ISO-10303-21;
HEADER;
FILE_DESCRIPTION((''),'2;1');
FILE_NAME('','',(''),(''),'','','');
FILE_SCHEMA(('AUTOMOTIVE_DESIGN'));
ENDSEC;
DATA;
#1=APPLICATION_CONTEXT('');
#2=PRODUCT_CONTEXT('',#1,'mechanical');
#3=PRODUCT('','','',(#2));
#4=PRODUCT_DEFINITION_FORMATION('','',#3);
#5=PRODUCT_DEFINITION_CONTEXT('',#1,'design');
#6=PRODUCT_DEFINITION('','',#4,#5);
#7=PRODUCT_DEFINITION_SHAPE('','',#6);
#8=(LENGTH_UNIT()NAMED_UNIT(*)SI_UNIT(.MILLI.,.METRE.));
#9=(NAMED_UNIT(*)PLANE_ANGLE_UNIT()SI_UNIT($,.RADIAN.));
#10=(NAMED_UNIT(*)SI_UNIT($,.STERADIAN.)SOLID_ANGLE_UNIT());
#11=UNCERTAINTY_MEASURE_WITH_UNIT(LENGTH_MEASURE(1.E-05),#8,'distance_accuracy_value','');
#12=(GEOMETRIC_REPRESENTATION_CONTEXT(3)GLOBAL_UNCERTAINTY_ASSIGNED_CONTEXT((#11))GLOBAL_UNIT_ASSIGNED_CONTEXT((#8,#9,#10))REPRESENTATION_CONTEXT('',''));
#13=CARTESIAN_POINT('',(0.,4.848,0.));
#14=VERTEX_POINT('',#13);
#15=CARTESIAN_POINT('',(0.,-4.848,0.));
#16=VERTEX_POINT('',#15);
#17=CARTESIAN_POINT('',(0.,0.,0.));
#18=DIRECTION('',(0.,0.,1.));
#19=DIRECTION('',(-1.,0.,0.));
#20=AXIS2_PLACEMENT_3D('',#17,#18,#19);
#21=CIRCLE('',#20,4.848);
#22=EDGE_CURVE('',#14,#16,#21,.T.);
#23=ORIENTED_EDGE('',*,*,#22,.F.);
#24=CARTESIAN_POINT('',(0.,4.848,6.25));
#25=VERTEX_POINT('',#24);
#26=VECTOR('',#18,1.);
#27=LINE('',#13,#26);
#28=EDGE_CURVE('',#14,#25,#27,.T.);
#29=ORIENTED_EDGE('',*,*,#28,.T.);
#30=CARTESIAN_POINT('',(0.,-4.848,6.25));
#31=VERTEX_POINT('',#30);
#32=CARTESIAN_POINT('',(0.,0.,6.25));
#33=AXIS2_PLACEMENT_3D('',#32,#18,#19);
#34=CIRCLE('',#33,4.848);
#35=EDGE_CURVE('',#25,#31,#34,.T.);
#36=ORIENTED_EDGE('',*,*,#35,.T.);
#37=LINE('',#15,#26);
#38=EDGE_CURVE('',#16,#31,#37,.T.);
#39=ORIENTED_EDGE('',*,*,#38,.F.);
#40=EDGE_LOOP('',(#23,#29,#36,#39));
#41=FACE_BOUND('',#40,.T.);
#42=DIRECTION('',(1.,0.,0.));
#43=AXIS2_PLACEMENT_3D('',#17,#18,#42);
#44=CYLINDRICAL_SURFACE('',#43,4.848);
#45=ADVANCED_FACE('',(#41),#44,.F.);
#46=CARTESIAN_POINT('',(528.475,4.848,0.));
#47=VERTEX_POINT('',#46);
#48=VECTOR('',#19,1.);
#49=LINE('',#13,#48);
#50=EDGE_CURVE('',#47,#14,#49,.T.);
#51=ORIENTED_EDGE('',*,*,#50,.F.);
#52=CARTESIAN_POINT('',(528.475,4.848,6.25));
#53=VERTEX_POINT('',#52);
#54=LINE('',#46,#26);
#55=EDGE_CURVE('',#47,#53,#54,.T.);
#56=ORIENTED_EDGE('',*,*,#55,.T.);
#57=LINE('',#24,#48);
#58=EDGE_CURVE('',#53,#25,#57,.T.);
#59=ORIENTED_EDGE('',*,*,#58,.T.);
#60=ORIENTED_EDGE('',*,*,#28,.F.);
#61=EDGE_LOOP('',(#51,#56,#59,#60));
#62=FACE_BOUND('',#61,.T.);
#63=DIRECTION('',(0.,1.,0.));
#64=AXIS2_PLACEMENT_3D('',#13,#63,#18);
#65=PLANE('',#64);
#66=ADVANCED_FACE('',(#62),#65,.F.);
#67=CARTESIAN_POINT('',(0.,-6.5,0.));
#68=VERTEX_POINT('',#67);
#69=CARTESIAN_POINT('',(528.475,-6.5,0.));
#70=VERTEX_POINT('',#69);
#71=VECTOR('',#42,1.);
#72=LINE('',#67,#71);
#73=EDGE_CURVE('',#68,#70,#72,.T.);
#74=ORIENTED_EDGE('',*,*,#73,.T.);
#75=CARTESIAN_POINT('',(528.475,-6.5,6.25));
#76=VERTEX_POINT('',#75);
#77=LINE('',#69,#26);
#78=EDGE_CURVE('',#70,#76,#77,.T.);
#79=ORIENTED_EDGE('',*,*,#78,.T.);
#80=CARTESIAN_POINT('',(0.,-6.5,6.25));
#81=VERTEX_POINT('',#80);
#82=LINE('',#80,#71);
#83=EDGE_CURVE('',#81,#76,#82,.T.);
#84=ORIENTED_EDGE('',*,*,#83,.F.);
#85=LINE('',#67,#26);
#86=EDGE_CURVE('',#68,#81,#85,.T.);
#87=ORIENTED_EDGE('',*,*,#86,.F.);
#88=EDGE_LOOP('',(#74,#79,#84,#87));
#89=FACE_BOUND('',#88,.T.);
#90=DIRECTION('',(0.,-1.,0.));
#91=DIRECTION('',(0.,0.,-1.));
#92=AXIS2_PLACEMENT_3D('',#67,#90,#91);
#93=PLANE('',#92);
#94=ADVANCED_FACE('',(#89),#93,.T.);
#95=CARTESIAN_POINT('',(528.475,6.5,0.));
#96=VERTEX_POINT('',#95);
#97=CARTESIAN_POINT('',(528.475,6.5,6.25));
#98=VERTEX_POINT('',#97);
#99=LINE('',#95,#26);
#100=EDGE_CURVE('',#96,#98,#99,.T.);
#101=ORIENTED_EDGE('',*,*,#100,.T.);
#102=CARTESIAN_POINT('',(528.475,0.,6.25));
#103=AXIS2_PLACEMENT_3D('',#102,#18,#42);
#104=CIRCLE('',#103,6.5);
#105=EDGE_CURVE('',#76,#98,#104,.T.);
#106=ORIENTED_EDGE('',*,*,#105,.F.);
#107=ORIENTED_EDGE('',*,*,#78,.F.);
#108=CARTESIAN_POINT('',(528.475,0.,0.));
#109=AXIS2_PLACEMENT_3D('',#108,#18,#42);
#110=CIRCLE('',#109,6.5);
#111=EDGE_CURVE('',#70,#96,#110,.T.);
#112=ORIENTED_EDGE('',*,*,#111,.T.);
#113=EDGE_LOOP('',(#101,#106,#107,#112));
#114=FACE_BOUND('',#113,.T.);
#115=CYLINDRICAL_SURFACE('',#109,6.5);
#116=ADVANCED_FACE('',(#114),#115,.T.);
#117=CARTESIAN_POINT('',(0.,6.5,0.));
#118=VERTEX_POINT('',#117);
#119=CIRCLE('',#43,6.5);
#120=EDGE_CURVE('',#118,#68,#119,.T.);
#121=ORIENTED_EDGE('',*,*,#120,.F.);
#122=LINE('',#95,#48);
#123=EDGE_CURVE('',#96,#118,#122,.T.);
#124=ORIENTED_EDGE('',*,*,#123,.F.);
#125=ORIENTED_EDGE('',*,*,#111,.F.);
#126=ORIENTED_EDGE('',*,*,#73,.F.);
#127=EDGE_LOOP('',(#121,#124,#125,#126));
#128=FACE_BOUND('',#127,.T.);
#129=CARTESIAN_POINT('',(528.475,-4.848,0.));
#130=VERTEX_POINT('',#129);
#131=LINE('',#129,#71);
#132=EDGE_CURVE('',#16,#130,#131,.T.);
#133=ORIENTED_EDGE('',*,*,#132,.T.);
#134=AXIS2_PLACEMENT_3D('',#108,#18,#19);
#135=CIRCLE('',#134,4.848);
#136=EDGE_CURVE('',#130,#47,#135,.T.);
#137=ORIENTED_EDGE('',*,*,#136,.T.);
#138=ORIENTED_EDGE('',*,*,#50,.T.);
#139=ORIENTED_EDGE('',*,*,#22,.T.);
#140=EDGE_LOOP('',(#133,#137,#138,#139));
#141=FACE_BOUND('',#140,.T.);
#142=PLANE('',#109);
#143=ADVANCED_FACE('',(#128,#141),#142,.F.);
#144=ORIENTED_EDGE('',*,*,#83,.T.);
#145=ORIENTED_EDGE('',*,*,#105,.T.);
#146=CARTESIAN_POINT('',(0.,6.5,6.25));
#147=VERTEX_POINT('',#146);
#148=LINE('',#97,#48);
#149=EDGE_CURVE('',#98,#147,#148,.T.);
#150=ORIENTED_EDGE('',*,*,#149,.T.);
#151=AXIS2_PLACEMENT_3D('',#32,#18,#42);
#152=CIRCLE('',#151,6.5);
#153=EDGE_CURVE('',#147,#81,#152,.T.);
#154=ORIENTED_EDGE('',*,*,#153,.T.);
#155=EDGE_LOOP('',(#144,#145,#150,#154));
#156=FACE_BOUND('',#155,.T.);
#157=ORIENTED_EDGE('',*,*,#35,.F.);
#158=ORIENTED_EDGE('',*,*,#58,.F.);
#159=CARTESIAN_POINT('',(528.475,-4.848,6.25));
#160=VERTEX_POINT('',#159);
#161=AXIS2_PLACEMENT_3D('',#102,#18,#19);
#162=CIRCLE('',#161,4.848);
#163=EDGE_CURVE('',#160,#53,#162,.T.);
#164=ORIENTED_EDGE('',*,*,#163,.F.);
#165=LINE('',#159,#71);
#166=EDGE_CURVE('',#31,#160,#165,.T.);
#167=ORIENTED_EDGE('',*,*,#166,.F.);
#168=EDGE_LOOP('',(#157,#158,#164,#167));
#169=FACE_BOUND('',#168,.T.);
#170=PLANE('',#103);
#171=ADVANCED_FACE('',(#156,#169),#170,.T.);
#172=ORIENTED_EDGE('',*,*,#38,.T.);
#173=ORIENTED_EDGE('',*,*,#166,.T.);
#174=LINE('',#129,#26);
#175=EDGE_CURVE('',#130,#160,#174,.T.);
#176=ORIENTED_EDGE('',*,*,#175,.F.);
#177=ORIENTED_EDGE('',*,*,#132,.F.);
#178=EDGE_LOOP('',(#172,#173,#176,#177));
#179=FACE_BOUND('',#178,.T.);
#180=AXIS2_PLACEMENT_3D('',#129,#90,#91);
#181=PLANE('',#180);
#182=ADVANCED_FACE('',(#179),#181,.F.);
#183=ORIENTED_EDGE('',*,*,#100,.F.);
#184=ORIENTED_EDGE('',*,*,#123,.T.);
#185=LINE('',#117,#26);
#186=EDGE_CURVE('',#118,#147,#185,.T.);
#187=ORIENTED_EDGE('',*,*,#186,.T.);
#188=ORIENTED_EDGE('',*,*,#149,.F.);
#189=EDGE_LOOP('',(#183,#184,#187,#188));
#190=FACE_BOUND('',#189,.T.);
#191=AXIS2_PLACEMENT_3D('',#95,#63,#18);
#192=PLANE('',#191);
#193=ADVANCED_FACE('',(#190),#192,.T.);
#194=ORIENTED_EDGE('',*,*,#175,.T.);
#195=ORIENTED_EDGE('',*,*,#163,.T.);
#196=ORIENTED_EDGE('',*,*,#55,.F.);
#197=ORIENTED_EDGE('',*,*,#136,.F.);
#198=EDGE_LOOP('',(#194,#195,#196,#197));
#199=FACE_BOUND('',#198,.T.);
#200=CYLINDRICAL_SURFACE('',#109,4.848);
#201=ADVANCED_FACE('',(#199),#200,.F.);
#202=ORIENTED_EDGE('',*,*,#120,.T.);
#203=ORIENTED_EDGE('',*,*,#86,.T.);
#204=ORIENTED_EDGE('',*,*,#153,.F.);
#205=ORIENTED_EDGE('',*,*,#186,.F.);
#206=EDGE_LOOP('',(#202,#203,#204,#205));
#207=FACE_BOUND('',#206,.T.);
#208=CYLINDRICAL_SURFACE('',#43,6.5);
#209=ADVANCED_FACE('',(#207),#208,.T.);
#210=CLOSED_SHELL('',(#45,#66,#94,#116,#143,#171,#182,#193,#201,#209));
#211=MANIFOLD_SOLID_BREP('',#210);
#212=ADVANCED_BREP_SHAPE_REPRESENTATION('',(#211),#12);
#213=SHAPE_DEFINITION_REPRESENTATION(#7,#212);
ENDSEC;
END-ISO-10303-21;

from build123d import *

# Parameters (mm, degrees)
RESSALTO_EXTRUS_O1_DEPTH = 6.25


with BuildPart() as part:
    # Esboço1 → Ressalto-extrusão1 (new body)
    with BuildSketch(Plane.XY.offset(6.25)):
        with BuildLine():
            Line((528.475, 6.5), (0, 6.5))
            ThreePointArc((0, 6.5), (-6.5, 0), (0, -6.5))
            Line((0, -6.5), (528.475, -6.5))
            ThreePointArc((528.475, -6.5), (534.975, 0), (528.475, 6.5))
        make_face()
        with BuildLine():
            Line((0, 4.848), (528.475, 4.848))
            ThreePointArc((528.475, 4.848), (533.323, 0), (528.475, -4.848))
            Line((528.475, -4.848), (0, -4.848))
            ThreePointArc((0, -4.848), (-4.848, 0), (0, 4.848))
        make_face(mode=Mode.SUBTRACT)
    extrude(amount=-RESSALTO_EXTRUS_O1_DEPTH)


solid = part.part
